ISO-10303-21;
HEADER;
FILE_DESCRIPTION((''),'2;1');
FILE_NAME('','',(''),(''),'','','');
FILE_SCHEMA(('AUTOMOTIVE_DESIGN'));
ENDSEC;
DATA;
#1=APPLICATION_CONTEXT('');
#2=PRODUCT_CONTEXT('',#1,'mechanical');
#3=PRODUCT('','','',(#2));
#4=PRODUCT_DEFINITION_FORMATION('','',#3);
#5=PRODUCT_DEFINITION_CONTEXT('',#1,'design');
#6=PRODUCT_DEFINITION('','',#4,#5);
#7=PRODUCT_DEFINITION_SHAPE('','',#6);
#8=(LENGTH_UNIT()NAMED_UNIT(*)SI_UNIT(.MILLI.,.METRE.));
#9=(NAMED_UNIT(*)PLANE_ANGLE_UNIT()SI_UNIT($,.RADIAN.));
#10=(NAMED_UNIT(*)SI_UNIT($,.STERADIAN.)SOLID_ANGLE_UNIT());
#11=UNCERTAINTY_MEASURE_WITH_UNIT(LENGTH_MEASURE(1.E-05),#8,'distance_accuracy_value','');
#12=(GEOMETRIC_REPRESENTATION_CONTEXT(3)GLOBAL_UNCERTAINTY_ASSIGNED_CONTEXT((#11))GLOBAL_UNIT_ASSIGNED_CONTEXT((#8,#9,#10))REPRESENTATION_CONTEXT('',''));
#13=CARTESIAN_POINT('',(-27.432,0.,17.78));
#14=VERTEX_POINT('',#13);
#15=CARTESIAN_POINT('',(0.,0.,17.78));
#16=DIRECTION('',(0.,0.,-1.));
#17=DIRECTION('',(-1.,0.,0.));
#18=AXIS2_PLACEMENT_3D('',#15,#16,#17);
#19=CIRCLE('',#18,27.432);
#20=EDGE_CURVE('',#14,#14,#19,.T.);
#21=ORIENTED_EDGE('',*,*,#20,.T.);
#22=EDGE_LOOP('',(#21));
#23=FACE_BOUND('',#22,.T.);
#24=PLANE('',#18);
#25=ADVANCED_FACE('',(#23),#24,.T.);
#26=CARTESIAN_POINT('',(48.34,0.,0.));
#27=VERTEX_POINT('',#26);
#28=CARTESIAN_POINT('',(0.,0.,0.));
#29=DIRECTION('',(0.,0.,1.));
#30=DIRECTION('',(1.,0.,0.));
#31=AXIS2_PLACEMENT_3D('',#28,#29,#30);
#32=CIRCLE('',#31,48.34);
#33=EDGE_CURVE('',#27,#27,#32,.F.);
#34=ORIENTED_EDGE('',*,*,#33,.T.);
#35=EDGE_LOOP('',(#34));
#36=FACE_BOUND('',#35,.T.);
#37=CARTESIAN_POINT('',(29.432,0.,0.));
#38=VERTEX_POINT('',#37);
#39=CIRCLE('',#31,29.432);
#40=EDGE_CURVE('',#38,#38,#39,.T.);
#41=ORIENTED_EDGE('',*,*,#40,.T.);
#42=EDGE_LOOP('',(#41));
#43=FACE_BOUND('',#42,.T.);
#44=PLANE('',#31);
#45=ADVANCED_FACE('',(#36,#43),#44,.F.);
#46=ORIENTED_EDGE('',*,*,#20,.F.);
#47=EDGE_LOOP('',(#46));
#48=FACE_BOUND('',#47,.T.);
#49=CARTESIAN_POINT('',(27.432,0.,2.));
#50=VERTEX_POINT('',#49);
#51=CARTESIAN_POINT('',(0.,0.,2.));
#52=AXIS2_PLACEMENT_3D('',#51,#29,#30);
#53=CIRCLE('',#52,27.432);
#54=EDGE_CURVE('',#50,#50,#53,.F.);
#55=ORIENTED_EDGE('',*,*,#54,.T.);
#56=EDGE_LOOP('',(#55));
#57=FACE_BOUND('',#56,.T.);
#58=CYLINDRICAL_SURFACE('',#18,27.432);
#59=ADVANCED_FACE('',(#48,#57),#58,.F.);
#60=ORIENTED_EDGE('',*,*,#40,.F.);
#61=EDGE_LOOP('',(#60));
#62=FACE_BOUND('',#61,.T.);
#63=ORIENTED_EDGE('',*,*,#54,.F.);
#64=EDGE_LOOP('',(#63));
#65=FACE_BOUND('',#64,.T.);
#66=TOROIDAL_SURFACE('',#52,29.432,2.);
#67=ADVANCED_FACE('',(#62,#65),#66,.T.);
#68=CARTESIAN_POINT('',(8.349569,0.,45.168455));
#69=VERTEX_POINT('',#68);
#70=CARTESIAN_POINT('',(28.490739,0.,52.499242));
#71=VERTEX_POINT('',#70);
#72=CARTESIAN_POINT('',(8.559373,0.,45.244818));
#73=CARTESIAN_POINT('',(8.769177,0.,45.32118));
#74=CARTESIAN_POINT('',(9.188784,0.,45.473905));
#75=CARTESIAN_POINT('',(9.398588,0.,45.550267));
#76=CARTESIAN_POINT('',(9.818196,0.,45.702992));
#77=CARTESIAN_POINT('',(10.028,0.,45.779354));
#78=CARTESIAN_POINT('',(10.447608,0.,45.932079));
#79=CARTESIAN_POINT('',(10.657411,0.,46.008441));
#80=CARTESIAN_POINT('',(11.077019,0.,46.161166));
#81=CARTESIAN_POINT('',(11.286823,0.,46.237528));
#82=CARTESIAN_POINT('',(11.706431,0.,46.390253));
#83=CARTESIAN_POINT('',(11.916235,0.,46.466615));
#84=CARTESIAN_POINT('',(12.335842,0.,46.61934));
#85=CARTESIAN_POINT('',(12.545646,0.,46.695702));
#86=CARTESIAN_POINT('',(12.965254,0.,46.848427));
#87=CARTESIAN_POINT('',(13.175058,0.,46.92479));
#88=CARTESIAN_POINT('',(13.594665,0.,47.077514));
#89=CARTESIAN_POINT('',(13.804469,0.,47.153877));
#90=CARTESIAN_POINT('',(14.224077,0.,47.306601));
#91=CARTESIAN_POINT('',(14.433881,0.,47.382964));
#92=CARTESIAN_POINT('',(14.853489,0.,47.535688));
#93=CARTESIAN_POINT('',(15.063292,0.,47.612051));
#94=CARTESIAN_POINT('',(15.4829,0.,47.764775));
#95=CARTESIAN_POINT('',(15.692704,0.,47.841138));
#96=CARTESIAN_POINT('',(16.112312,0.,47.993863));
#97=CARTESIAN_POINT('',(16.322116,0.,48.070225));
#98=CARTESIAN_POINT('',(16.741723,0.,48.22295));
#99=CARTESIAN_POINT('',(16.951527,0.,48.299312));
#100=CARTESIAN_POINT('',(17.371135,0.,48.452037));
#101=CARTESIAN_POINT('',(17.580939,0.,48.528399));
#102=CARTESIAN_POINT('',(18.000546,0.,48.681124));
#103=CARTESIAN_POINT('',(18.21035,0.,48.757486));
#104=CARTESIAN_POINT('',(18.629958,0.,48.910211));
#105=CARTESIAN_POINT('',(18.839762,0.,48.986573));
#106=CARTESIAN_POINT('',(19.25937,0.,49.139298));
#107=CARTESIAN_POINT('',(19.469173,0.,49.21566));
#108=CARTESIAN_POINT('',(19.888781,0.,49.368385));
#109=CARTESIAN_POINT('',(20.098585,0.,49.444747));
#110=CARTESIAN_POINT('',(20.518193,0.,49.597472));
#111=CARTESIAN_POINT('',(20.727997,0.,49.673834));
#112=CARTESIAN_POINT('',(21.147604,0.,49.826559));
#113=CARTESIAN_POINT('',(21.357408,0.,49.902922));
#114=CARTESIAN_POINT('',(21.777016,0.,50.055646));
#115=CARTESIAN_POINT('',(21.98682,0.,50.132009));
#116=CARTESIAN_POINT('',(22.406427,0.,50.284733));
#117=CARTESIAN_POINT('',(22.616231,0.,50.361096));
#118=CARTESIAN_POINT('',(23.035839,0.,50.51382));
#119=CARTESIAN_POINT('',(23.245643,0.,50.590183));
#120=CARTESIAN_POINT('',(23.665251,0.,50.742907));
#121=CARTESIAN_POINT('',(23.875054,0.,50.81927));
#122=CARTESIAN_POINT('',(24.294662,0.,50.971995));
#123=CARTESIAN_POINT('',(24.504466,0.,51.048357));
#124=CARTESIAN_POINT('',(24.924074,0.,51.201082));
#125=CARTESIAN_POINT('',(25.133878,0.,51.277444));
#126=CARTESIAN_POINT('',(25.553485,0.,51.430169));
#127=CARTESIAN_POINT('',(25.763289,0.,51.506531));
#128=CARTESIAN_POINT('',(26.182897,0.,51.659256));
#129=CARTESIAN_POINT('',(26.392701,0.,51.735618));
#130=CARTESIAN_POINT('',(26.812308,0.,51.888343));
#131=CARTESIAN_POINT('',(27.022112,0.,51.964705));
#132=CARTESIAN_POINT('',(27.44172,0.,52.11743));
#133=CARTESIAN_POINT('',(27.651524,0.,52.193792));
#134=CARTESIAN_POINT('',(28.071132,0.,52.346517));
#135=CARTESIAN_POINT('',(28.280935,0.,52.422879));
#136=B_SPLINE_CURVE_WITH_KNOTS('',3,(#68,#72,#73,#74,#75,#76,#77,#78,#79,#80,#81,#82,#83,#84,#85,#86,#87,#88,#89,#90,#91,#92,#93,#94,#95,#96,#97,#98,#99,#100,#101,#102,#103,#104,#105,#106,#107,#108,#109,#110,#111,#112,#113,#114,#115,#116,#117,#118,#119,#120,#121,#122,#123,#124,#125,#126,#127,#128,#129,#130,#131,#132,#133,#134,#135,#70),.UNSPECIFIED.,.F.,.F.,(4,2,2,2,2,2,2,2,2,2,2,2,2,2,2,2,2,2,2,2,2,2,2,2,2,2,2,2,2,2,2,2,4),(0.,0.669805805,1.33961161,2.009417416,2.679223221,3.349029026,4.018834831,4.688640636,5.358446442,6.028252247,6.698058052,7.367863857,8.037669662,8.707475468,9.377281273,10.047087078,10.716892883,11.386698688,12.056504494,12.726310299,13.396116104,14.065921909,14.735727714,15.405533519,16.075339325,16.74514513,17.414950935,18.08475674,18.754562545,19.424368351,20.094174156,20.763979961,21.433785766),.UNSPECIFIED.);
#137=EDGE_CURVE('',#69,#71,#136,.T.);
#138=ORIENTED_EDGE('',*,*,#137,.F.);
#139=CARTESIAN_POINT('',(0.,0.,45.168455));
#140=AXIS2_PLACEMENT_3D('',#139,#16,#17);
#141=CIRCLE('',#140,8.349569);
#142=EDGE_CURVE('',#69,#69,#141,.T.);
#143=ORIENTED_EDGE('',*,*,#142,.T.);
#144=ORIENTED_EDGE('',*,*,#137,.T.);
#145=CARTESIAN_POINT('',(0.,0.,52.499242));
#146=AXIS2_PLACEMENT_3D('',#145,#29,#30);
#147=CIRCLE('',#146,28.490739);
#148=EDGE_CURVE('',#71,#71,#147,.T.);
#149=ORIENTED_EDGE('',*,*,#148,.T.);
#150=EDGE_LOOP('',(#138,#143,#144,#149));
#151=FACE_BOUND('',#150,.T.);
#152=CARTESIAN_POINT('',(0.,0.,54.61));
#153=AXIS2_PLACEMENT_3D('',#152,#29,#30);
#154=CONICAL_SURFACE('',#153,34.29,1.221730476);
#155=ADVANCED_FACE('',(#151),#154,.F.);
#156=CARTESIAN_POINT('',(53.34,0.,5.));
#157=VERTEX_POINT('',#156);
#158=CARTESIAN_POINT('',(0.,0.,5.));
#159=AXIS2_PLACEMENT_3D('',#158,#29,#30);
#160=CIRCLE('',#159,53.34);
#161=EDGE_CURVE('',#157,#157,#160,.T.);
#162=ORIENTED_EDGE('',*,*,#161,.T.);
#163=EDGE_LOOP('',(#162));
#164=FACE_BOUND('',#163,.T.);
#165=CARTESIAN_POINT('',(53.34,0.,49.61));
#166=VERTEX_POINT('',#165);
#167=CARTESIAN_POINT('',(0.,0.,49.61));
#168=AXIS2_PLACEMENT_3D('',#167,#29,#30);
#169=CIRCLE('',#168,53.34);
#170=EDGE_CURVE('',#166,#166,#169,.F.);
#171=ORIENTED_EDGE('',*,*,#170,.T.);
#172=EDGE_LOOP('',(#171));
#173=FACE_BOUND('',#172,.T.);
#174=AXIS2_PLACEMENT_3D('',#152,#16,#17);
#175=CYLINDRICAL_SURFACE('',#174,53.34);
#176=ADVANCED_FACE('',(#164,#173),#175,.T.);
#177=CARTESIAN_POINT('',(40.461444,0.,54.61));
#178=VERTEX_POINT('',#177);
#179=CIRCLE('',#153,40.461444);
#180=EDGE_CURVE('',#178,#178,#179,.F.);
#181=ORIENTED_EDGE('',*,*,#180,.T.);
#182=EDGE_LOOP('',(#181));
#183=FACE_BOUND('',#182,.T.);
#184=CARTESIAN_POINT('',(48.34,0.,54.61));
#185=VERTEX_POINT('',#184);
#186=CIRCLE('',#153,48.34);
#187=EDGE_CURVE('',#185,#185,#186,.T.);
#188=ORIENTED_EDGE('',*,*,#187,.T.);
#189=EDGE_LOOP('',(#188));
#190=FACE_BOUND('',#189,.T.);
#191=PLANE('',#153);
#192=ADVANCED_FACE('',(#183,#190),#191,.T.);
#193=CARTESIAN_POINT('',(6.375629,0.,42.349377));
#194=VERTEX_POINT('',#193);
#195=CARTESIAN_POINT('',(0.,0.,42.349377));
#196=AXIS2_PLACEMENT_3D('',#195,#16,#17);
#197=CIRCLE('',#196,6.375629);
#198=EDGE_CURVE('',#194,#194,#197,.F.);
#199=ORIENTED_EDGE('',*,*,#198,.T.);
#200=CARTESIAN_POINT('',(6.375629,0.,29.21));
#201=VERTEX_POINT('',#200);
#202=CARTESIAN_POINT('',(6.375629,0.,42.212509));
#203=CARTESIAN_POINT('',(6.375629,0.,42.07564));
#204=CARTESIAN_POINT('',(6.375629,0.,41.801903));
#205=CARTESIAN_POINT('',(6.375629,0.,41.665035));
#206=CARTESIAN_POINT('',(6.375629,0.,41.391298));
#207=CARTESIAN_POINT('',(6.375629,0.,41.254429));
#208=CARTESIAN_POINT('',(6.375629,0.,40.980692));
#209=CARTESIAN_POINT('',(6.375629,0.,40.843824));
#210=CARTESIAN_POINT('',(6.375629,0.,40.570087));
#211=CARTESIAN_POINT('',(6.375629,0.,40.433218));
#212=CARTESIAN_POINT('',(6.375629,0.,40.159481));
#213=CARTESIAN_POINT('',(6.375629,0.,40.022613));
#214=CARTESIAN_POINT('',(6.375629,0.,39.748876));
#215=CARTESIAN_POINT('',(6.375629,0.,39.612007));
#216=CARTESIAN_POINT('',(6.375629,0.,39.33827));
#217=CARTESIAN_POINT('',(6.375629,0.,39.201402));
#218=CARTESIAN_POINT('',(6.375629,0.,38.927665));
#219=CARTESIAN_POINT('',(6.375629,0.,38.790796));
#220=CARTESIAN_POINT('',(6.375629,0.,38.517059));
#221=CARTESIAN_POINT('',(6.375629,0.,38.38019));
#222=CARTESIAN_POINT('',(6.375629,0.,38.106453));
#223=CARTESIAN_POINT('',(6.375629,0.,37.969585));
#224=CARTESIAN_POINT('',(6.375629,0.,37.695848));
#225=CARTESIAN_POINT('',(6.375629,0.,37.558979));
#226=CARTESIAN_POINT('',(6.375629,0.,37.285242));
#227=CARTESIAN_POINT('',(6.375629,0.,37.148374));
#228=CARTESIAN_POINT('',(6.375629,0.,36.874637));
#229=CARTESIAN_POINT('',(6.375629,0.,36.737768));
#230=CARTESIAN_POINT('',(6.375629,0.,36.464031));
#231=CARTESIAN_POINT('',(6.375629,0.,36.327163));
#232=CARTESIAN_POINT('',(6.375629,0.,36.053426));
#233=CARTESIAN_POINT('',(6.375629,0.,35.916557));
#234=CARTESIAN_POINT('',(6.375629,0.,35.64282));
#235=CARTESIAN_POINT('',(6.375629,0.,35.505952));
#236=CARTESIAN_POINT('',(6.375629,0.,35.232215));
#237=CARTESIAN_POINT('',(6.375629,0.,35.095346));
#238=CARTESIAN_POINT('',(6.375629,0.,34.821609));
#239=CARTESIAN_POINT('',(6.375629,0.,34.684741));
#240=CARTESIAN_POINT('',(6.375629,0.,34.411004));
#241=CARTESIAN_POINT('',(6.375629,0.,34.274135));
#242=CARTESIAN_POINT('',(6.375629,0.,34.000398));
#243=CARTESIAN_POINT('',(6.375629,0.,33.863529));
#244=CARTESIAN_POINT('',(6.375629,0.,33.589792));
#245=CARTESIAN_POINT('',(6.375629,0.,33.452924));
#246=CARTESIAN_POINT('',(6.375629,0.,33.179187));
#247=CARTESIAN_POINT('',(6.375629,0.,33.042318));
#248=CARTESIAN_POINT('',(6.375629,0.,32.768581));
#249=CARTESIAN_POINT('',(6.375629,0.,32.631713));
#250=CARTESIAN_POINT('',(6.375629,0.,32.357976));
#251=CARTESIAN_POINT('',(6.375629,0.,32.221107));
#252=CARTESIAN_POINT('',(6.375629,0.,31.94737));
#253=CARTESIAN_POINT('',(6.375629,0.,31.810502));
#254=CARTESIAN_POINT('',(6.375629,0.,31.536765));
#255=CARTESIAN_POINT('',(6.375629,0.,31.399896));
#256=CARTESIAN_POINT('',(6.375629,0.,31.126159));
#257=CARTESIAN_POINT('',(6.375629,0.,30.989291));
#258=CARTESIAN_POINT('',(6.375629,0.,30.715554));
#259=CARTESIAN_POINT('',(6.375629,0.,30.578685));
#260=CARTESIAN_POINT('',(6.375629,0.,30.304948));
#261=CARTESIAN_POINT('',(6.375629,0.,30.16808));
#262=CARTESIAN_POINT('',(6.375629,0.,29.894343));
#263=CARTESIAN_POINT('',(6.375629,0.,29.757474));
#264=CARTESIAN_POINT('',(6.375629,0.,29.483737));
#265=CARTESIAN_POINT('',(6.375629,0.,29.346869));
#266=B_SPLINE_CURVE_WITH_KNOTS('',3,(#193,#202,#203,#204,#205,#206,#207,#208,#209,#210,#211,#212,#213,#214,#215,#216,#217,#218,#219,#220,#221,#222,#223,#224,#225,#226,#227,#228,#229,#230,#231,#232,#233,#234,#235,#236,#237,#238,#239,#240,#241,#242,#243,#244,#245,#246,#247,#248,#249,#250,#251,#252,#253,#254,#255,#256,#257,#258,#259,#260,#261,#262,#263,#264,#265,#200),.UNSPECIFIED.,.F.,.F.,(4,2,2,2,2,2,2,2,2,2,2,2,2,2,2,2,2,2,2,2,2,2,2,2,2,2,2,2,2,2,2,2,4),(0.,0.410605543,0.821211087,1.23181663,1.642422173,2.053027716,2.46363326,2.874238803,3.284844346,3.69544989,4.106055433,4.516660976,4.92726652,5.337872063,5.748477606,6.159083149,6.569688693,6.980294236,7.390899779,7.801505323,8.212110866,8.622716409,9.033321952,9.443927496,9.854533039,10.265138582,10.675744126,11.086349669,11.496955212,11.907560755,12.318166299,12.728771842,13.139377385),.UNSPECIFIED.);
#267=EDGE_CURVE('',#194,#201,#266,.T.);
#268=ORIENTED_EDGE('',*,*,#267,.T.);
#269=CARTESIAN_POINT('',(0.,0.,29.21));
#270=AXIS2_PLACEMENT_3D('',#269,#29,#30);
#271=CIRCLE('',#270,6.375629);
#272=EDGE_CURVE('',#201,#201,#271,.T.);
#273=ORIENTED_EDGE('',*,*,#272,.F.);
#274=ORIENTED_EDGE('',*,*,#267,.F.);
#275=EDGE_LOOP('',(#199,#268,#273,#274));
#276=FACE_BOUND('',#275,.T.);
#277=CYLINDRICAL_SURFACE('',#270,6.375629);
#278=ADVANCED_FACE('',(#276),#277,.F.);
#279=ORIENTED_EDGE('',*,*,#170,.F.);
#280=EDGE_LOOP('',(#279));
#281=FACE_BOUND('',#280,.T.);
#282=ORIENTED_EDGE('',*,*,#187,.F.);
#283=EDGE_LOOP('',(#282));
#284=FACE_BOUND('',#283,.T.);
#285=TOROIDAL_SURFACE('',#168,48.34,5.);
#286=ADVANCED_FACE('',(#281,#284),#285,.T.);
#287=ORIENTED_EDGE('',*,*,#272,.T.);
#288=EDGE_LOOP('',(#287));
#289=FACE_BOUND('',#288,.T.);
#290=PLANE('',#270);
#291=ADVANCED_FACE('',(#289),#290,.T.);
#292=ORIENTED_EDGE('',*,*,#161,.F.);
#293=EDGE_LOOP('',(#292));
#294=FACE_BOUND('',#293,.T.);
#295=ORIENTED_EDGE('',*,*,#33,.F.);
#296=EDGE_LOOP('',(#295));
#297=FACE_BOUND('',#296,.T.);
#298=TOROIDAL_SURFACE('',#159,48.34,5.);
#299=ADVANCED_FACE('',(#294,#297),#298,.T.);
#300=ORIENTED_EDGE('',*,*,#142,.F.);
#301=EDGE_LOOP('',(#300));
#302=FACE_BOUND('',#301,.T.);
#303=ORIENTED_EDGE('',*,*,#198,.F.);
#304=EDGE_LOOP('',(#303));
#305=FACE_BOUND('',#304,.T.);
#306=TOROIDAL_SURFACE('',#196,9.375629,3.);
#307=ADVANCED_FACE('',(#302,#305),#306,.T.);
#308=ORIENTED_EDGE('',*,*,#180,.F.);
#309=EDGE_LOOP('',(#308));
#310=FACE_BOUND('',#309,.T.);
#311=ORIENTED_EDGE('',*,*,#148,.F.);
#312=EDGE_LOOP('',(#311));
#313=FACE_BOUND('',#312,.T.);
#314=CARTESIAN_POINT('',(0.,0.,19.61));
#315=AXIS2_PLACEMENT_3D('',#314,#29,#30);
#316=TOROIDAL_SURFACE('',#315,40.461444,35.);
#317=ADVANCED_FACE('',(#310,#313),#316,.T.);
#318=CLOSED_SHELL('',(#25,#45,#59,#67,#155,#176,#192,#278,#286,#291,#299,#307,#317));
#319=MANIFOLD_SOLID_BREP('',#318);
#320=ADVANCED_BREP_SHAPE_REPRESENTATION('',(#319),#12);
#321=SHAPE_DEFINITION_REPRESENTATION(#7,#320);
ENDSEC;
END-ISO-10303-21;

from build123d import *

# Parameters (mm, degrees)
SKETCH1_R          = 53.34
EXTRUDE1_DEPTH     = 54.61
FILLET1_R          = 5
SKETCH2_R          = 27.432
CUT_EXTRUDE1_DEPTH = 17.78
FILLET2_R          = 2
SKETCH3_R          = 34.29
CUT_EXTRUDE2_DEPTH = 10.16
CUT_EXTRUDE2_DRAFT = -70
FILLET3_R          = 35
SKETCH4_R          = 6.375629418
CUT_EXTRUDE3_DEPTH = 15.24
FILLET4_R          = 3


with BuildPart() as part:
    # Sketch1 → Extrude1 (new body)
    with BuildSketch(Plane.XY):
        Circle(SKETCH1_R)
    extrude(amount=EXTRUDE1_DEPTH)

    # Fillet1
    fillet1_edges = [part.edges().sort_by_distance(p)[0] for p in [
        (-53.34, 0, 0),
        (-53.34, 0, 54.61),
    ]]
    fillet(fillet1_edges, radius=FILLET1_R)

    # Sketch2 → Cut-Extrude1 (cut)
    with BuildSketch(Plane(origin=(0, 0, 0), x_dir=(-1, 0, 0), z_dir=(0, 0, -1))):
        Circle(SKETCH2_R)
    extrude(amount=-CUT_EXTRUDE1_DEPTH, mode=Mode.SUBTRACT)

    # Fillet2
    fillet2_edges = [part.edges().sort_by_distance(p)[0] for p in [
        (27.432, 0, 0),
    ]]
    fillet(fillet2_edges, radius=FILLET2_R)


with BuildPart() as cut_extrude2_tool:
    # Sketch3 → Cut-Extrude2 (with draft: the straight prism first)
    with BuildSketch(Plane.XY.offset(54.61)):
        Circle(SKETCH3_R)
    extrude(amount=-CUT_EXTRUDE2_DEPTH)
    # Cut-Extrude2: the draft: its side faces are tilted about the plane it starts from
    cut_extrude2_sides = [cut_extrude2_tool.faces().sort_by_distance(p)[0] for p in [
        (-34.29, 0, 49.53),
    ]]
    draft(cut_extrude2_sides, Plane.XY.offset(54.61), CUT_EXTRUDE2_DRAFT)


with BuildPart() as part_1:
    add(part.part)

    # Cut-Extrude2: cut by cut_extrude2_tool
    add(cut_extrude2_tool.part, mode=Mode.SUBTRACT)

    # Fillet3
    fillet3_edges = [part_1.edges().sort_by_distance(p)[0] for p in [
        (-34.29, 0, 54.61),
    ]]
    fillet(fillet3_edges, radius=FILLET3_R)

    # Sketch4 → Cut-Extrude3 (cut)
    with BuildSketch(Plane.XY.offset(44.45)):
        Circle(SKETCH4_R)
    extrude(amount=-CUT_EXTRUDE3_DEPTH, mode=Mode.SUBTRACT)

    # Fillet4
    fillet4_edges = [part_1.edges().sort_by_distance(p)[0] for p in [
        (-6.375629418, 0, 44.45),
    ]]
    fillet(fillet4_edges, radius=FILLET4_R)


solid = part_1.part
